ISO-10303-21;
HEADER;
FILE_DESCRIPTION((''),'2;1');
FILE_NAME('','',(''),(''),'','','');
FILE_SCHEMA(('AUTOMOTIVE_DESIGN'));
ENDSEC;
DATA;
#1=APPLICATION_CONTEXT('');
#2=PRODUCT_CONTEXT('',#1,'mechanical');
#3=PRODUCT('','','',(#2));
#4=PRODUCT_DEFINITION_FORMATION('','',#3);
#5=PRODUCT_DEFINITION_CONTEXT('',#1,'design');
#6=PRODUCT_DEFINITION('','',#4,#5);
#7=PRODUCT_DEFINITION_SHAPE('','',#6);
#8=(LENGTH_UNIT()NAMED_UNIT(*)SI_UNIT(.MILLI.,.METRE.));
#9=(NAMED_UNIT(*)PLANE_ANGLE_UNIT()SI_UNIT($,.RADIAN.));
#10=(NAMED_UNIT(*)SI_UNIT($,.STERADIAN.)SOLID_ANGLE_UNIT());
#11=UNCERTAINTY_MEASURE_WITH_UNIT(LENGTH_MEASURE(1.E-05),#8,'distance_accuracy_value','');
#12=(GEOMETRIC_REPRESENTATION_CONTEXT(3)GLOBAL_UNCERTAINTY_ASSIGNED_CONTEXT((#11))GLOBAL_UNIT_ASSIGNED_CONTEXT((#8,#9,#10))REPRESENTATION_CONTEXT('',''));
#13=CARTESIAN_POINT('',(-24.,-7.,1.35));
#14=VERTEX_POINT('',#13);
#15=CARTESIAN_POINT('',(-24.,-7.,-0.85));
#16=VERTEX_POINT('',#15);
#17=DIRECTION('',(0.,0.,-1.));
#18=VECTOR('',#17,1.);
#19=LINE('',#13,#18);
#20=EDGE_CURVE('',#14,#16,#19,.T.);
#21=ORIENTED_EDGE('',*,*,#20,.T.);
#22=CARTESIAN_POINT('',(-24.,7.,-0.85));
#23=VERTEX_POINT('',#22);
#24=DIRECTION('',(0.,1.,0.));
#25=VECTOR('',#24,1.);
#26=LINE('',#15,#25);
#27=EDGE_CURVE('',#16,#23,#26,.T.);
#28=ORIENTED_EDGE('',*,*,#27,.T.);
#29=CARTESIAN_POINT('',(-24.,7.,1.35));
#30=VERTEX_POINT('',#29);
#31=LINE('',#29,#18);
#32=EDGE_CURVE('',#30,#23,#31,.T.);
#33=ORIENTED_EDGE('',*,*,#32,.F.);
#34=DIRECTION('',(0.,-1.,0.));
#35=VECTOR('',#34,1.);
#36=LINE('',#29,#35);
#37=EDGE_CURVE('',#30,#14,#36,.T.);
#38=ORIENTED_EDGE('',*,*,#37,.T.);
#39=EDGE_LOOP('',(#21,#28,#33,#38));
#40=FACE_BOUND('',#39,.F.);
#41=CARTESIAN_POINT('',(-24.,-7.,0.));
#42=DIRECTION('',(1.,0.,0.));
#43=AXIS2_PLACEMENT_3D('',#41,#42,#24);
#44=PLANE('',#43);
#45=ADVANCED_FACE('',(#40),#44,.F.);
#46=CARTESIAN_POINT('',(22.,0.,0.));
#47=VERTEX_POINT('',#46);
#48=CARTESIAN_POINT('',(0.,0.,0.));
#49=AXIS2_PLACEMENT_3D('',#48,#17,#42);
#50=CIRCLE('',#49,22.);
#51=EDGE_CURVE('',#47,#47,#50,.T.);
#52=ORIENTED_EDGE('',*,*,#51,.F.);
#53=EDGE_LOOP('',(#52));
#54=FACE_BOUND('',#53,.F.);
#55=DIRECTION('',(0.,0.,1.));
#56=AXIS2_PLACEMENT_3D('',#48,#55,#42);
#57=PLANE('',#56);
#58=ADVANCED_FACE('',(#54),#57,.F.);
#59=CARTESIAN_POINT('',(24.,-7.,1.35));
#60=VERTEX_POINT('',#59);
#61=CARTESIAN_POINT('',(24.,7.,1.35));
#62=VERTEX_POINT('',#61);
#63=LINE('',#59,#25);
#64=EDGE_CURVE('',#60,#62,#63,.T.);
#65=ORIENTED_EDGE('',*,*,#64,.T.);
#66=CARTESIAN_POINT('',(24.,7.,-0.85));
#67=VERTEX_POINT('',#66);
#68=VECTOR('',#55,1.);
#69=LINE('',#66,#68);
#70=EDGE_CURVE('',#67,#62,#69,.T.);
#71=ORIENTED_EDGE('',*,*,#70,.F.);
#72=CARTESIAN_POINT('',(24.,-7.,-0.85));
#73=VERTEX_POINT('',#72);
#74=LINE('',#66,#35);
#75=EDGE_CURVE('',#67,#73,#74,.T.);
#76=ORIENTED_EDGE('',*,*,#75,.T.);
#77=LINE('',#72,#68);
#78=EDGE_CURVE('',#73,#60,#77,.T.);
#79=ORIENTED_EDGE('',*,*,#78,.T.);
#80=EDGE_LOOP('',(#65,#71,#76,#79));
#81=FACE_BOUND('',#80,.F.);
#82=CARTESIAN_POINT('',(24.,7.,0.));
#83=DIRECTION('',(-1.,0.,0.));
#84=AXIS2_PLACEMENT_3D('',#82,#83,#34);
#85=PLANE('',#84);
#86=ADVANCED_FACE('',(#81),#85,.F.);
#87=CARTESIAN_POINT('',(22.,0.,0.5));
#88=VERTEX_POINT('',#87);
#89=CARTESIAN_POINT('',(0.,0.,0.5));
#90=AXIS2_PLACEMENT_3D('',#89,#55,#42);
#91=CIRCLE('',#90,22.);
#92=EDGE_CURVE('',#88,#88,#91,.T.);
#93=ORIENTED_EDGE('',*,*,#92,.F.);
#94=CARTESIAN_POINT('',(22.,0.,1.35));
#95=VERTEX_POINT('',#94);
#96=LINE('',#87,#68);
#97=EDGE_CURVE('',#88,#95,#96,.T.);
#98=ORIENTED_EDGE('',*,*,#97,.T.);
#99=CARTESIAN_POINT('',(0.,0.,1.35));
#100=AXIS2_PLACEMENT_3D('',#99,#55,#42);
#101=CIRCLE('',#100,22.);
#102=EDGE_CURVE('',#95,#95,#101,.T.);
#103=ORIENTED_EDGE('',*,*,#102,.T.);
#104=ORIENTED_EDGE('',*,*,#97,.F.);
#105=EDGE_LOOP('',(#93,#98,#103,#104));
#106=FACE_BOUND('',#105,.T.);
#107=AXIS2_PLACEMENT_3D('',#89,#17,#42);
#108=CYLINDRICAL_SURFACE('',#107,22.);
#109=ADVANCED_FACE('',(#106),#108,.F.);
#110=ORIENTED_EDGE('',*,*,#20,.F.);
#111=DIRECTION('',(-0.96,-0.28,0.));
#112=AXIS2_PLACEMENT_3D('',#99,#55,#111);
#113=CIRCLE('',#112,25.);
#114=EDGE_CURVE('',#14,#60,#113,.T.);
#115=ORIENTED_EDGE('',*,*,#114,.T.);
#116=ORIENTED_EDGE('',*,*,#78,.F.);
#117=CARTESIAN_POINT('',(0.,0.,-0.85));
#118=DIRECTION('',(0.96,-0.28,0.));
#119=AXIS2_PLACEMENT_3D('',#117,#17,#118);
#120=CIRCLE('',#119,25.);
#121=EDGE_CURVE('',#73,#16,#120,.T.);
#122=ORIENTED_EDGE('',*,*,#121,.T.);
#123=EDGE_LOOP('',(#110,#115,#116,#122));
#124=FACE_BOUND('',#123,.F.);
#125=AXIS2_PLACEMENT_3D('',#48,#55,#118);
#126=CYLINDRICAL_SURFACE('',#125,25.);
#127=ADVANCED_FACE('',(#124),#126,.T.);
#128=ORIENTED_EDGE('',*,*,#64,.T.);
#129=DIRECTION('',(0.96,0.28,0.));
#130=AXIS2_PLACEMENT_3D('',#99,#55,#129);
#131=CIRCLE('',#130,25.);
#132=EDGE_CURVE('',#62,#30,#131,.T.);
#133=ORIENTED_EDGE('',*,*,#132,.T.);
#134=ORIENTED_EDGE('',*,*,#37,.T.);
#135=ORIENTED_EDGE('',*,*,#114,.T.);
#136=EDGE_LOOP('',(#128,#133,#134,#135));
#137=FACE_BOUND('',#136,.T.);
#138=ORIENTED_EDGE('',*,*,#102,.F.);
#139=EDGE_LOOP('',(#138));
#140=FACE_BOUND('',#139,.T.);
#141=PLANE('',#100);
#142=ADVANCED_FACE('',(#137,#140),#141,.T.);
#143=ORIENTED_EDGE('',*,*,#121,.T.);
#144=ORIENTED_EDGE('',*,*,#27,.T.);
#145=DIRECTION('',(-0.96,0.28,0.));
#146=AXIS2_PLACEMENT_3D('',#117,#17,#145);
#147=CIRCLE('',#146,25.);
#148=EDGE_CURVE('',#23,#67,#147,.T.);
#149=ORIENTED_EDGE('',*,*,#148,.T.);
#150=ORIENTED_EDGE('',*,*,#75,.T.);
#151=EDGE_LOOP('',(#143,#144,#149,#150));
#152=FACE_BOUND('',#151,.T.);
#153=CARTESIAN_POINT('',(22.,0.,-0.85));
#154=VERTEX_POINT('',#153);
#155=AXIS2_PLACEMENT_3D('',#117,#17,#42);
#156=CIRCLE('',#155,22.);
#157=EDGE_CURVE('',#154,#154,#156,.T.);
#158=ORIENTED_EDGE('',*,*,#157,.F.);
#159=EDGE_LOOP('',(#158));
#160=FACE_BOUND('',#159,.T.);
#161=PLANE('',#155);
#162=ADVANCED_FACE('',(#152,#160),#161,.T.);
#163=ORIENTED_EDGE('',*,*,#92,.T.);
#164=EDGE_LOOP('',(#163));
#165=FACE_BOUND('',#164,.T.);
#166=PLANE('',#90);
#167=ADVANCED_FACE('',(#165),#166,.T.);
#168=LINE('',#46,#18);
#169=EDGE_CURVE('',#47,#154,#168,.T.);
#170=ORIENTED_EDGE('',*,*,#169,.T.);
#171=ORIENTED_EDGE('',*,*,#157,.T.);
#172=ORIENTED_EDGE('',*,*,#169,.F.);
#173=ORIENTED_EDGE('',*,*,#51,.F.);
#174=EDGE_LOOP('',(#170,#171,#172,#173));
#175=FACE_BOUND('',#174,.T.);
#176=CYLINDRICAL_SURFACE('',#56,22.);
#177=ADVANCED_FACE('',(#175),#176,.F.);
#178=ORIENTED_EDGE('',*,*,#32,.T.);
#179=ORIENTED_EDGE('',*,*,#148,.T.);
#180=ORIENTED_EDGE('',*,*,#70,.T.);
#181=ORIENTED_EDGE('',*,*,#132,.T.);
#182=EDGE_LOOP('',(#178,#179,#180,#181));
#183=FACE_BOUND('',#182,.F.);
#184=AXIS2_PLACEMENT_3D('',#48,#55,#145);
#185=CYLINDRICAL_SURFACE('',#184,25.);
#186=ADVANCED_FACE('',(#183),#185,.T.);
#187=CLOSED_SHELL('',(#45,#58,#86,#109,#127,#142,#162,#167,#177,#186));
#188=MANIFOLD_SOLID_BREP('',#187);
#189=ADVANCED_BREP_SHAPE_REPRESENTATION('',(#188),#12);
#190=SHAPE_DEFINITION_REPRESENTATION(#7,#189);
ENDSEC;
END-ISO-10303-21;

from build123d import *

# Parameters (mm, degrees)
F1_DEPTH = 0.5
F2_R     = 22
F3_DEPTH = 0.85
F4_R     = 22
F5_DEPTH = 0.85


with BuildPart() as f1:
    # F0 (on Top) → F1 (new body)
    with BuildSketch(Plane.XY):
        with BuildLine():
            Line((24, -7), (24, 7))
            ThreePointArc((24, 7), (0, 25), (-24, 7))
            Line((-24, 7), (-24, -7))
            ThreePointArc((-24, -7), (0, -25), (24, -7))
        make_face()
    extrude(amount=F1_DEPTH)

    # F2 (on face) → F3 (join)
    with BuildSketch(Plane.XY.offset(0.5)):
        with BuildLine():
            ThreePointArc((-24, -7), (0, -25), (24, -7))
            Line((24, -7), (24, 7))
            ThreePointArc((24, 7), (0, 25), (-24, 7))
            Line((-24, 7), (-24, -7))
        make_face()
        Circle(F2_R, mode=Mode.SUBTRACT)
    extrude(amount=F3_DEPTH)

    # F4 (on face) → F5 (join)
    with BuildSketch(Plane(origin=(0, 0, 0), x_dir=(1, 0, 0), z_dir=(0, 0, -1))):
        with BuildLine():
            ThreePointArc((24, 7), (0, 25), (-24, 7))
            Line((-24, 7), (-24, -7))
            ThreePointArc((-24, -7), (0, -25), (24, -7))
            Line((24, -7), (24, 7))
        make_face()
        Circle(F4_R, mode=Mode.SUBTRACT)
    extrude(amount=F5_DEPTH)


solid = f1.part
